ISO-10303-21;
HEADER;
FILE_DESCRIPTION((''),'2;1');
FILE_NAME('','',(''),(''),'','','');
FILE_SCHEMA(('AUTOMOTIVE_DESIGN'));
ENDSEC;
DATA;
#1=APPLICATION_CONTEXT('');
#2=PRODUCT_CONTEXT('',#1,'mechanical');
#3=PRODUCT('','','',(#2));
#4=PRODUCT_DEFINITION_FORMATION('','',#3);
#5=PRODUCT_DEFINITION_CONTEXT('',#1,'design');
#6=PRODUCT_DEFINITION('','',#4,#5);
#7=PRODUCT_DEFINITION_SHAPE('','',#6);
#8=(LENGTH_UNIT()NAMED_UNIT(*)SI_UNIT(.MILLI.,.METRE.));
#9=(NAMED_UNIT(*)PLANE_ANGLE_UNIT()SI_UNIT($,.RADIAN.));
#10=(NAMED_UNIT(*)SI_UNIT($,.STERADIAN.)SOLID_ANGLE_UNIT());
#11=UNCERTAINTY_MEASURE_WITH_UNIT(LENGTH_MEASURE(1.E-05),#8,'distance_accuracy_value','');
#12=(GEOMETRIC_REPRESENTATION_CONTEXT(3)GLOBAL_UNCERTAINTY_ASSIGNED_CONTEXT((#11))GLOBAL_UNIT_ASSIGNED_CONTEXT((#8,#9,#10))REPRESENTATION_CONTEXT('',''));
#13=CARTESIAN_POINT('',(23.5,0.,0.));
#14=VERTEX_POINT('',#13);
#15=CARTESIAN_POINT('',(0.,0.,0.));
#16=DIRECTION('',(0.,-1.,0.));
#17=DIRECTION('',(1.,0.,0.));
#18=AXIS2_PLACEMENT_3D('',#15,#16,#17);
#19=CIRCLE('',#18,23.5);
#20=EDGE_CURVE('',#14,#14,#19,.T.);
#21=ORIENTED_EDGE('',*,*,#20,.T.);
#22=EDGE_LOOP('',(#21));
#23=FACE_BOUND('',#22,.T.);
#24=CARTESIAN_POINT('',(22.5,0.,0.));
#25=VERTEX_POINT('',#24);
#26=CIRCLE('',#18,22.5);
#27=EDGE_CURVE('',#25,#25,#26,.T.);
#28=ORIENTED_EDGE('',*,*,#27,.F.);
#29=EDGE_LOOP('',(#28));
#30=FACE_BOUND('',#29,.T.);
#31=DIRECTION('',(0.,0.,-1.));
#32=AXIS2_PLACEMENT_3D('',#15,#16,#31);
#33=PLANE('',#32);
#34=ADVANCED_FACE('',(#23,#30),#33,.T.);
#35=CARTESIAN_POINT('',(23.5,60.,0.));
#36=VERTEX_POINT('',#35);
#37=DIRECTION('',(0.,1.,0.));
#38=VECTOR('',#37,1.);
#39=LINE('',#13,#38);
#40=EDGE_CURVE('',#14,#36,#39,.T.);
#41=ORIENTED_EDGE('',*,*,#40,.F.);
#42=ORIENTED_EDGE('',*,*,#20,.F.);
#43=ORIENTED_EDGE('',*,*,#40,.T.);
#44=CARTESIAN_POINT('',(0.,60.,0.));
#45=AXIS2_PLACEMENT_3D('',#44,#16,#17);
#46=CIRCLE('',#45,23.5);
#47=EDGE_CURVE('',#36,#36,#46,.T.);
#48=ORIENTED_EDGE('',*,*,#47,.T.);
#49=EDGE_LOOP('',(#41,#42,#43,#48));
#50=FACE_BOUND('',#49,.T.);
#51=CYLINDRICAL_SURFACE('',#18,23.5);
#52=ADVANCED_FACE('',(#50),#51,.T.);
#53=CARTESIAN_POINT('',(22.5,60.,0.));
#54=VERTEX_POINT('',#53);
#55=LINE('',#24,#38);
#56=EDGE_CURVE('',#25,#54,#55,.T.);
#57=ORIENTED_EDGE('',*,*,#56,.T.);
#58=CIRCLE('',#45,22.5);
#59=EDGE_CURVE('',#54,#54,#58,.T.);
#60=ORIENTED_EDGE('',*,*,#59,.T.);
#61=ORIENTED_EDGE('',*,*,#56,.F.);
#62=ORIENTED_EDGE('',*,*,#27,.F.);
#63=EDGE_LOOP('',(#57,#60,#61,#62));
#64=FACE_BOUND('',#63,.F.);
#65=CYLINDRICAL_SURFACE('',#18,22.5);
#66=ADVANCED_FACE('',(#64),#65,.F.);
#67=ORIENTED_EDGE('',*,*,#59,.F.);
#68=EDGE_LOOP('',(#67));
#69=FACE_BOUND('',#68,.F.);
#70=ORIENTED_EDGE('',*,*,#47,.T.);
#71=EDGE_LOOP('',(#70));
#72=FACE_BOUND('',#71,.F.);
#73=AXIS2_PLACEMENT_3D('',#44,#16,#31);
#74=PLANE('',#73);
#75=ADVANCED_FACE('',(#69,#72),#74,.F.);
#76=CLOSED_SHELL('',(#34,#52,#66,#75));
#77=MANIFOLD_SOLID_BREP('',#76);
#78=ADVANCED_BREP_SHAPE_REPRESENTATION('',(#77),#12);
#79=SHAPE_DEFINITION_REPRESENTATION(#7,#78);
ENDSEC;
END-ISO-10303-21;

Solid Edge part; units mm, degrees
sketch "Sketch1" plane through (0, 0, 0) normal (0, -1, 0) x (1, 0, 0)
  circle A0 centre (0, 0) radius 22.5
  circle A1 centre (0, 0) radius 23.5
  dimension "D1" = 45
  dimension "D2" = 47
extrude "Protrusion1" add sketch "Sketch1" against normal blind 60
